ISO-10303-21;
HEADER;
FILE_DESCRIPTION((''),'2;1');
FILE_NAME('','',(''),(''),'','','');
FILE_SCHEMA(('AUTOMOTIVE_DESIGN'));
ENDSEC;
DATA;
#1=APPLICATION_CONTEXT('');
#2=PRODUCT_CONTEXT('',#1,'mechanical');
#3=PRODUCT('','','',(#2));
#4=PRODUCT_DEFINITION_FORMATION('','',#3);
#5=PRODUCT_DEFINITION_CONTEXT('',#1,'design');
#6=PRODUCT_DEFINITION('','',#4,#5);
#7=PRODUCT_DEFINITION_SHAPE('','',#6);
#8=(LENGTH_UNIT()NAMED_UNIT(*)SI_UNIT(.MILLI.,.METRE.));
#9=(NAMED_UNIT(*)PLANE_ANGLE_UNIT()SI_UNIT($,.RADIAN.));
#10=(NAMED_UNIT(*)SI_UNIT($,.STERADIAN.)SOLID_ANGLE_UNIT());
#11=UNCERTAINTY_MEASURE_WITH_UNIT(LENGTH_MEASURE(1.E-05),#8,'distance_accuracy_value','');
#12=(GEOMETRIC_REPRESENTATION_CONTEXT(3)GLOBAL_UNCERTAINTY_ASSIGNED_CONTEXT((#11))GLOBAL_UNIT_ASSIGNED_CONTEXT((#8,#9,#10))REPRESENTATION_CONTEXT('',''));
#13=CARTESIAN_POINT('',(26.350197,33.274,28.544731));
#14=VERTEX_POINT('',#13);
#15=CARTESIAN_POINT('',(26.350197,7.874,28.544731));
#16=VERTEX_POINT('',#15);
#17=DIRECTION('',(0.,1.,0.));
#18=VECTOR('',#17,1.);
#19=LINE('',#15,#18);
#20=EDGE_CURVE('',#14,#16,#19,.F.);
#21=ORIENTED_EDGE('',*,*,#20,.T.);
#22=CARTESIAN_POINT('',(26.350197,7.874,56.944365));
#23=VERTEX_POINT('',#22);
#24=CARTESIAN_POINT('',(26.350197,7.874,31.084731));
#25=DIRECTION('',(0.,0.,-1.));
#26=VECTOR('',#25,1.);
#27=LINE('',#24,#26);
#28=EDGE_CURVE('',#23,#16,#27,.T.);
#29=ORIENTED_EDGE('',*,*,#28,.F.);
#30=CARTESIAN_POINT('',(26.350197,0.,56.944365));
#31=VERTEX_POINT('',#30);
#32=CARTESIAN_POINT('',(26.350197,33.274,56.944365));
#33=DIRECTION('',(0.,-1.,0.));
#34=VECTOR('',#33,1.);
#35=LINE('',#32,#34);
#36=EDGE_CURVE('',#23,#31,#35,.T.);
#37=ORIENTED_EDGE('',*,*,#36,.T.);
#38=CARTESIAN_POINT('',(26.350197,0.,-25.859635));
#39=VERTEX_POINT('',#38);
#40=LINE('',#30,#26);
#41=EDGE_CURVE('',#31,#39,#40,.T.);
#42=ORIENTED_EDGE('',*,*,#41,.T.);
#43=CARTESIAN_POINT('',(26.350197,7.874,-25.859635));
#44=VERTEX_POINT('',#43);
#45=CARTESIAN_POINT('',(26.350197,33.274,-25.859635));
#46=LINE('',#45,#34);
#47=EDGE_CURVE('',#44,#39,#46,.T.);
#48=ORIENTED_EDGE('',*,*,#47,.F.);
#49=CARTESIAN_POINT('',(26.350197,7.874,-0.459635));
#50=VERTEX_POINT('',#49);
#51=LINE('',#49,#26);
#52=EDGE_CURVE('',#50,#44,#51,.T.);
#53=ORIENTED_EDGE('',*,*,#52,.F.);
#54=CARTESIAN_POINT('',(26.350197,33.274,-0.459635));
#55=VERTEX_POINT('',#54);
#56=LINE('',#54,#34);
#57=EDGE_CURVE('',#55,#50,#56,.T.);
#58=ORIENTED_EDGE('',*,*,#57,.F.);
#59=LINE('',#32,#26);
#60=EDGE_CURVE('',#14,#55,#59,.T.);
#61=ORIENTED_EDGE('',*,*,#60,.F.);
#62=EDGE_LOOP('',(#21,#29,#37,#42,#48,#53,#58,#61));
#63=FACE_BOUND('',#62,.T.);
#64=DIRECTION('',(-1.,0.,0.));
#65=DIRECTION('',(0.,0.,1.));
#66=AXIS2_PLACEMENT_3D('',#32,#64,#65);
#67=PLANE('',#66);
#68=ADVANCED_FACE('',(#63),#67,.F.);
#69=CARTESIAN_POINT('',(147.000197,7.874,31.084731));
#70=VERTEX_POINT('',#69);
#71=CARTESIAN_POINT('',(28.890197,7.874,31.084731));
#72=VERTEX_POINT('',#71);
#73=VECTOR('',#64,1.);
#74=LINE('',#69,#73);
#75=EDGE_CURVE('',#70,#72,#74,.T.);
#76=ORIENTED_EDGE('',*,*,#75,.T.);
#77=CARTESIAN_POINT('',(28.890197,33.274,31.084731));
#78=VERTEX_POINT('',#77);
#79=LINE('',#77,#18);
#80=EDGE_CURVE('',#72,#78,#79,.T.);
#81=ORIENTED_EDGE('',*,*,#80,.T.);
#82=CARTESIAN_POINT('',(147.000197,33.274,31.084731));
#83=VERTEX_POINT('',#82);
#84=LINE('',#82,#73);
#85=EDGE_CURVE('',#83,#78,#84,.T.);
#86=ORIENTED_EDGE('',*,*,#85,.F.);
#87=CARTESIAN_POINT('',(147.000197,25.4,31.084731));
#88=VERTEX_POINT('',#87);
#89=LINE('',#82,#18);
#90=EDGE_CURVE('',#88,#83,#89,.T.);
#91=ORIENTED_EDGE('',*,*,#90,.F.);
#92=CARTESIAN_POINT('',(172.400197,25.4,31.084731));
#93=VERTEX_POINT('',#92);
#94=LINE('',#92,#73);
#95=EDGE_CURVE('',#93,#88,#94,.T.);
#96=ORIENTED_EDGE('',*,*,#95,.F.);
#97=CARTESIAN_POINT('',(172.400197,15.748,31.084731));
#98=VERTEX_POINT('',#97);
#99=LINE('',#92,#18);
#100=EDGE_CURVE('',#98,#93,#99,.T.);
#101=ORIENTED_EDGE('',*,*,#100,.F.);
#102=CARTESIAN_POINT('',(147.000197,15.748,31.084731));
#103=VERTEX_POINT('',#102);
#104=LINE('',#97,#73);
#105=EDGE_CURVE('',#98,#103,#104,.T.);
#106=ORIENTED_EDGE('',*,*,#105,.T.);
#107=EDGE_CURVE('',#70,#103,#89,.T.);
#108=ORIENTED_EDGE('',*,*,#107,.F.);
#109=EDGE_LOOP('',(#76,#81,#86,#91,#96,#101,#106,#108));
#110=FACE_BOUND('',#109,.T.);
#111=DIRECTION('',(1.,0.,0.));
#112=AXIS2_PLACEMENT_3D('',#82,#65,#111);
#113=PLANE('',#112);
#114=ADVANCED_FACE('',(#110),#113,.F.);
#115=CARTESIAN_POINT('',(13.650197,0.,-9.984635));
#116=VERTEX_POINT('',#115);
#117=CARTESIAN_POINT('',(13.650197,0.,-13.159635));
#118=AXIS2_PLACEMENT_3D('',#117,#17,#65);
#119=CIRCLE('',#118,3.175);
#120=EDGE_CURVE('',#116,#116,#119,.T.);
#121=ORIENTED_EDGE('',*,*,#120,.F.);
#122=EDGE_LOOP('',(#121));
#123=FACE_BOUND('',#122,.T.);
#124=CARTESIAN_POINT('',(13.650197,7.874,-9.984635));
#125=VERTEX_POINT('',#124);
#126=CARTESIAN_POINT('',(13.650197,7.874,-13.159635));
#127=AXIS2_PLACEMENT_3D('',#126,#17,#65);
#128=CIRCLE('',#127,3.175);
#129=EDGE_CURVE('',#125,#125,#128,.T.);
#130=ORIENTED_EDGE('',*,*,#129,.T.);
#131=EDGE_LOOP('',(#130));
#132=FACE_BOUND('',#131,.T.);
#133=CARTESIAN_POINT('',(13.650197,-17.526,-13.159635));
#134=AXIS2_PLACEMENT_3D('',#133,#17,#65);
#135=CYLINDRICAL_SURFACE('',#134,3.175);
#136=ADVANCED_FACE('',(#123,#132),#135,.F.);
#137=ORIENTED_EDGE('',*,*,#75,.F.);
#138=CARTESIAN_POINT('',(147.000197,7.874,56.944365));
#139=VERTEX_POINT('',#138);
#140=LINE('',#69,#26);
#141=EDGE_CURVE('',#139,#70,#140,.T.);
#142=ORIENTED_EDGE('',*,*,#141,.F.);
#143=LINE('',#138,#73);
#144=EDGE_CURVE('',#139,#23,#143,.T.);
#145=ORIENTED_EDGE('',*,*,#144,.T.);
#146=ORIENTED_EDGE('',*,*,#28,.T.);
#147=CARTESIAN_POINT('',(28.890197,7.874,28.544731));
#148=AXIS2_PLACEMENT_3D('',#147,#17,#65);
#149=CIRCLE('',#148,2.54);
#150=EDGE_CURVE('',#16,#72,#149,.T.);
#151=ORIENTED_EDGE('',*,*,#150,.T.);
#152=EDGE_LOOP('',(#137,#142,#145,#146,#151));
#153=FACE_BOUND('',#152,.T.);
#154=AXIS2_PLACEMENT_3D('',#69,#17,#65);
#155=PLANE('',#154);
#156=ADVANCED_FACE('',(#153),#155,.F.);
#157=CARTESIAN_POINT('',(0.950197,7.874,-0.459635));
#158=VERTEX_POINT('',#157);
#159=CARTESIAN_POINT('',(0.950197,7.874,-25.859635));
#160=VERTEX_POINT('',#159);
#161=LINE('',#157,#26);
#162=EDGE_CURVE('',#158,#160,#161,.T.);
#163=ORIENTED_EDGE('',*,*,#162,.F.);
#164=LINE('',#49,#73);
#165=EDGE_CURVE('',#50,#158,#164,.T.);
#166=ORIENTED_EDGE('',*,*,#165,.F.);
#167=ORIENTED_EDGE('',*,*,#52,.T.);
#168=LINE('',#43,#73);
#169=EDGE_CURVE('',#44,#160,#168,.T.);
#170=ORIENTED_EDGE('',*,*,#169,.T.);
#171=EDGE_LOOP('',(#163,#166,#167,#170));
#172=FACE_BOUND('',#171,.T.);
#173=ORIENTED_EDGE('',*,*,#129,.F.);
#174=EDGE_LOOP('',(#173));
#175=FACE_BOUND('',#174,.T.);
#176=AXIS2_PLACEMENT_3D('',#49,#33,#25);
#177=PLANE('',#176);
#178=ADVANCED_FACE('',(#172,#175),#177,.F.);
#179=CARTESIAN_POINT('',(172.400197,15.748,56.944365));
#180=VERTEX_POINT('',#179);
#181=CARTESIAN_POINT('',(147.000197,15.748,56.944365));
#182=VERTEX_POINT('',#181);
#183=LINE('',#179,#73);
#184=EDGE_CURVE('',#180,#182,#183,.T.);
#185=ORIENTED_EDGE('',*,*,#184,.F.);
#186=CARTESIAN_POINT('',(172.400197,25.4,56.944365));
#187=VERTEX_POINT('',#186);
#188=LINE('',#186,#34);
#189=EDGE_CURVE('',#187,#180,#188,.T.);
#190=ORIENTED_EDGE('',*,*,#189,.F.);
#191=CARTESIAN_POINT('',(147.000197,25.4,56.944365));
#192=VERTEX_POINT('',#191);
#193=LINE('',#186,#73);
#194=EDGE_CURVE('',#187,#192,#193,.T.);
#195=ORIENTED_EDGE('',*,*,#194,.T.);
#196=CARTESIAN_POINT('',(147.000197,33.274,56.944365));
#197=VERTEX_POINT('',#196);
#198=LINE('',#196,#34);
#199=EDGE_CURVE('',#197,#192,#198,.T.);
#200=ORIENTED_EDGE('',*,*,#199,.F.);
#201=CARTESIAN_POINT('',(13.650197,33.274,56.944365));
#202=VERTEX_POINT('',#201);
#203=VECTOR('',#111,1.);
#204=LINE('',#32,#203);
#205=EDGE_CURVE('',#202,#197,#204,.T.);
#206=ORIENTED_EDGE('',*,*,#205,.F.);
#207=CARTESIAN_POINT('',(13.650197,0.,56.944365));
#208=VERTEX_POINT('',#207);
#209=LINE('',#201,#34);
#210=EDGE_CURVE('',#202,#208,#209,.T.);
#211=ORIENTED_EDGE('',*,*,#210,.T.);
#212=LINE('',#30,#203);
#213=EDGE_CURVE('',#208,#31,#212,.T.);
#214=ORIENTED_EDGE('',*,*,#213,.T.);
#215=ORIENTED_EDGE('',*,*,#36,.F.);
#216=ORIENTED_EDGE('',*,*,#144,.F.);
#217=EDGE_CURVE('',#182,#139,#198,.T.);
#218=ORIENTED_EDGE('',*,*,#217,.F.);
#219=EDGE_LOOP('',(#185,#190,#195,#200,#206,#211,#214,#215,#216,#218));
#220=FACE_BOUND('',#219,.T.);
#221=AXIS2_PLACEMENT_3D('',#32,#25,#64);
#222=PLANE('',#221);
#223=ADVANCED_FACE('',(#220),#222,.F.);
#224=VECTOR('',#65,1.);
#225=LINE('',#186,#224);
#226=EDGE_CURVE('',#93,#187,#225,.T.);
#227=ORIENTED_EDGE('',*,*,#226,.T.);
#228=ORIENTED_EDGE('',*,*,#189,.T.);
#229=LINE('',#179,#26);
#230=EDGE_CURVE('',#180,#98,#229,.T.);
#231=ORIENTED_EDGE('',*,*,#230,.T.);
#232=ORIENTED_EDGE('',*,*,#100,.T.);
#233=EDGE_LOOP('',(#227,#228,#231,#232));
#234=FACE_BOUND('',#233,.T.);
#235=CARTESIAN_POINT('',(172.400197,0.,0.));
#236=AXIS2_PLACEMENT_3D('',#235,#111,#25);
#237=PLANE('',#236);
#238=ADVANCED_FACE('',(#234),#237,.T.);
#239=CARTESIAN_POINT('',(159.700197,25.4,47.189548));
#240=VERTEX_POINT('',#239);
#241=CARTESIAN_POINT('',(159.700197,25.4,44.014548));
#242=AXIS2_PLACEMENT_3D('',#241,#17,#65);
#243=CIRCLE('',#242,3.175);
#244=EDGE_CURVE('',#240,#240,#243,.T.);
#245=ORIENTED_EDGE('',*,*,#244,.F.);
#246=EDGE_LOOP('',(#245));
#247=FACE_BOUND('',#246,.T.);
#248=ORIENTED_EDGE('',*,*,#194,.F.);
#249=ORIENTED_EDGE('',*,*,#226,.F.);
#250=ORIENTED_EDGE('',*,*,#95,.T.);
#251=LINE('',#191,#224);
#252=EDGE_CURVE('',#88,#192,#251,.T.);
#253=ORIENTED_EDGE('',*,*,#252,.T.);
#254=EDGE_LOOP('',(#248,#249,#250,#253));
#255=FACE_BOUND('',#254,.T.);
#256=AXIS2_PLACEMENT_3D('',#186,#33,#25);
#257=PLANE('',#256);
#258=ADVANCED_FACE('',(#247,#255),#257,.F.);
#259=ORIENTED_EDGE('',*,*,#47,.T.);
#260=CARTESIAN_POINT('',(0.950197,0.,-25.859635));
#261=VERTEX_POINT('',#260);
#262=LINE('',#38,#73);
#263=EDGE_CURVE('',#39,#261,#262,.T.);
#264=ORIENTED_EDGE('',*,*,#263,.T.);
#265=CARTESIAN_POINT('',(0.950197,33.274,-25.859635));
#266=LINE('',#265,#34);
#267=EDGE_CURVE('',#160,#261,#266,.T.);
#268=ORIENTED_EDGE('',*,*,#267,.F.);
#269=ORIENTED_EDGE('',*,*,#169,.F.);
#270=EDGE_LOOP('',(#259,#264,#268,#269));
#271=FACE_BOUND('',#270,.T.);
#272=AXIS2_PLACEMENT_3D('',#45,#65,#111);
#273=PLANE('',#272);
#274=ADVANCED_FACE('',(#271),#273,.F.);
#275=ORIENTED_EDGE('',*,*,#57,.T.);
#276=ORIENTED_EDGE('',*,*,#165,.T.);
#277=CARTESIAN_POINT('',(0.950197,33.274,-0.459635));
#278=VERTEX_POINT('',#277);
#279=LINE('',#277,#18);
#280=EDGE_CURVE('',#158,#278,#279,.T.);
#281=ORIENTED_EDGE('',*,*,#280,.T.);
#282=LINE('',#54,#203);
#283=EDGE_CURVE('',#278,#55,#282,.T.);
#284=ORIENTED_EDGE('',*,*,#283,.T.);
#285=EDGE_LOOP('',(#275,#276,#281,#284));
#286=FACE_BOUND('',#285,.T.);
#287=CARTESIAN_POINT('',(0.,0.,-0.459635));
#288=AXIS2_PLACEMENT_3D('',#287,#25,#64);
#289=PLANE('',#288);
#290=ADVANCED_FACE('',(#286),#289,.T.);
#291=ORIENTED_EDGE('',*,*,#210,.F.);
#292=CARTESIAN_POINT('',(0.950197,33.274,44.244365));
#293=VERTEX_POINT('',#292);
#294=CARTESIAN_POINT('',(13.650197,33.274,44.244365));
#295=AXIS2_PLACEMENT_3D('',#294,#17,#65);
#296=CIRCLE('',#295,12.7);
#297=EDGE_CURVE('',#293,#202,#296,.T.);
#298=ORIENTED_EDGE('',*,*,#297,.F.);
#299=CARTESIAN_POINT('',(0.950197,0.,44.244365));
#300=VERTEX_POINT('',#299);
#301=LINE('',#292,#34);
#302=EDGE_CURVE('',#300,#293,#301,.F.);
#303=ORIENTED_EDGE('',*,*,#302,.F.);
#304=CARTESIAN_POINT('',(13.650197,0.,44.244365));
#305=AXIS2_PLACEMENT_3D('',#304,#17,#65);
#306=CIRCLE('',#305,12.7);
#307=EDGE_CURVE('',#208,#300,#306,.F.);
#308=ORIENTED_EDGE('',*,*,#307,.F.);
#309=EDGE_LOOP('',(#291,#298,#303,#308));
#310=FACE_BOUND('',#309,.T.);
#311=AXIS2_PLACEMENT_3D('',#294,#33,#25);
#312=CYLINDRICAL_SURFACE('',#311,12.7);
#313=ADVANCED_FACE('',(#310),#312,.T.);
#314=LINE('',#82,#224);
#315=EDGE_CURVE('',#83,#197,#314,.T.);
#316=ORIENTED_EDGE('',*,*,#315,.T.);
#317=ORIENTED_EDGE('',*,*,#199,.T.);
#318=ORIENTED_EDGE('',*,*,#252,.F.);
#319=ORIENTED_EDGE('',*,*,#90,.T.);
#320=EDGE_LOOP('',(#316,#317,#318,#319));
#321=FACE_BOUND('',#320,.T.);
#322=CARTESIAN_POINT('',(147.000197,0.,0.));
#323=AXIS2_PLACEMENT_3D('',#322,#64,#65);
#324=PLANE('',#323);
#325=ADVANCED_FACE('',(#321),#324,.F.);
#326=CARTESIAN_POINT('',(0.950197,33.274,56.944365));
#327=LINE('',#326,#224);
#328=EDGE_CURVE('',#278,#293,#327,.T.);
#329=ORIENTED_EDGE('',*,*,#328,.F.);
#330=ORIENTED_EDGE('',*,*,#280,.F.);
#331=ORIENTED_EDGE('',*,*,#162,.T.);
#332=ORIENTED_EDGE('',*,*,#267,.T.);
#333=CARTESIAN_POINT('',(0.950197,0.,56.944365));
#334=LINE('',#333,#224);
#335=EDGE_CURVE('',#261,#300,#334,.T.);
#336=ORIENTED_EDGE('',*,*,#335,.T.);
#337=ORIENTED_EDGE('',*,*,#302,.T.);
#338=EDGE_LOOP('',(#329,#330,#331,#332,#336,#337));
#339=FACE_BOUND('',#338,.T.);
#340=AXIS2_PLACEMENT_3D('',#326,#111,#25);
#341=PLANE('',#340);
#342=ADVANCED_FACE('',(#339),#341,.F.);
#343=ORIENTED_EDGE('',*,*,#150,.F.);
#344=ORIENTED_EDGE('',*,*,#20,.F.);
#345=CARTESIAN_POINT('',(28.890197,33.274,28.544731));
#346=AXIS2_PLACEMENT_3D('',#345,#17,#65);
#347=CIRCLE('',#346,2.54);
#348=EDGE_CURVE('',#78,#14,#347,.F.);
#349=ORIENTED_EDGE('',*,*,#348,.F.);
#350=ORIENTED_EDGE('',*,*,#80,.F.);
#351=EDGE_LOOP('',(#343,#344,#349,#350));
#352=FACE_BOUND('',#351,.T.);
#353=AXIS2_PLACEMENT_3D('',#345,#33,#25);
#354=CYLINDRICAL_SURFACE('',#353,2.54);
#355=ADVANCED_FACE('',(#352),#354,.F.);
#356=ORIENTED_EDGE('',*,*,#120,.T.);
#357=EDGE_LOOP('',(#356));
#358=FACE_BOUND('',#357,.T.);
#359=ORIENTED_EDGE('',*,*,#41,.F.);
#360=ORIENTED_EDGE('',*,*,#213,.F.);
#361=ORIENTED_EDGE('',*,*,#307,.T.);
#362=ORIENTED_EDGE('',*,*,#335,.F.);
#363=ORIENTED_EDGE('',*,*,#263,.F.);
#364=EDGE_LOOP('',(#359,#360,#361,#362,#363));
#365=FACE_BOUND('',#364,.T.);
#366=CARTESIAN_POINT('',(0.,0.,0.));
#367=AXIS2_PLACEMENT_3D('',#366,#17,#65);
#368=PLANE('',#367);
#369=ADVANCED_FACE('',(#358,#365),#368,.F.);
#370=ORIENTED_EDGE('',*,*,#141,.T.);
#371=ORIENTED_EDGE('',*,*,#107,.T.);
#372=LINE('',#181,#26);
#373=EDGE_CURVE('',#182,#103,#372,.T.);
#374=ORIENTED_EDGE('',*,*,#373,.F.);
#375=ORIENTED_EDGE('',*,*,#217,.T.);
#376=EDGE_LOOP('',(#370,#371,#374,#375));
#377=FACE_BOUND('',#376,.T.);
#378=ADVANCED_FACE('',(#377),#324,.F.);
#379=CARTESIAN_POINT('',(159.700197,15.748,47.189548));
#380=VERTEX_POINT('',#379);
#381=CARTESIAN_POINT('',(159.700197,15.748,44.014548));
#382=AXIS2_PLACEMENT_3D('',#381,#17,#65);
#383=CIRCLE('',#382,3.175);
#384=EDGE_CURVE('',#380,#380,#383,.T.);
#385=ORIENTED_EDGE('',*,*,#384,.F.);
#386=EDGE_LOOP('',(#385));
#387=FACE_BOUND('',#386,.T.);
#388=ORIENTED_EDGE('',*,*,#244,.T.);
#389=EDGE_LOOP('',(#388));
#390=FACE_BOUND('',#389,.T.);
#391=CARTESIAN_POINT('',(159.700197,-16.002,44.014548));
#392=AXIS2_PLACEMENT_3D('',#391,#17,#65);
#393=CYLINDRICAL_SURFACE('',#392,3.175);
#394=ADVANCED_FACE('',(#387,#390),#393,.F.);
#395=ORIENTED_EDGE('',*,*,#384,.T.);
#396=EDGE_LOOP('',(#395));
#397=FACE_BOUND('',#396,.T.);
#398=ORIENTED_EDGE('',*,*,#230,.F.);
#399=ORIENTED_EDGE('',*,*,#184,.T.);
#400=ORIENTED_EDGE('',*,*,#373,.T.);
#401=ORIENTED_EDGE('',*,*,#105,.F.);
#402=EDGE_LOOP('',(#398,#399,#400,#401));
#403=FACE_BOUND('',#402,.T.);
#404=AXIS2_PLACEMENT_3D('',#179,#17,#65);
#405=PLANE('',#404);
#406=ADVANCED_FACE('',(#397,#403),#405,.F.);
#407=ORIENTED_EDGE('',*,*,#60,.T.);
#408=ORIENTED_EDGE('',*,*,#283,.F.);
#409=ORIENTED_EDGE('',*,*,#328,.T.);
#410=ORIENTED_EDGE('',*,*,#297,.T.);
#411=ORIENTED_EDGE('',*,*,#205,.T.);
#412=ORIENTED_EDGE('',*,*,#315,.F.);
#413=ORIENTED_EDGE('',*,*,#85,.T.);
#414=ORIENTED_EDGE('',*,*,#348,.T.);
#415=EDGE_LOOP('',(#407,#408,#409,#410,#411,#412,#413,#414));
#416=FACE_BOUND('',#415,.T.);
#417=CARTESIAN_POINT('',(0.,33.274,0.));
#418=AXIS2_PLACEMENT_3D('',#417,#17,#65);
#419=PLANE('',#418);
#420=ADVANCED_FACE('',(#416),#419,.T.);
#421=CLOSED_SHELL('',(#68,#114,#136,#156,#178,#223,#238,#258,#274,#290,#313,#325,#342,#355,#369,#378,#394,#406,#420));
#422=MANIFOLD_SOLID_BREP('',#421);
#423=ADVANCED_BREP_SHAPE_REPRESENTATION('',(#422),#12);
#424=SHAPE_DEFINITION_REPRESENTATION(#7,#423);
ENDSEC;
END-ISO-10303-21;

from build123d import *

# Parameters (mm, degrees)
SKETCH1_W           = 25.4
SKETCH1_H           = 82.804
BOSS_EXTRUDE1_DEPTH = 33.274
SKETCH3_W           = 25.859634715
SKETCH3_H           = 25.4
BOSS_EXTRUDE2_DEPTH = 120.65
SKETCH8_W           = 25.4
SKETCH8_H           = 25.4
CUT_EXTRUDE5_DEPTH  = 25.4
SKETCH5_W           = 25.859634715
SKETCH5_H           = 9.652
BOSS_EXTRUDE3_DEPTH = 25.4
SKETCH7_R           = 3.175
CUT_EXTRUDE4_DEPTH  = 41.402
FILLET1_R           = 12.7
FILLET2_R           = 2.54
SKETCH9_R           = 3.175
CUT_EXTRUDE6_DEPTH  = 25.4


with BuildPart() as part:
    # Sketch1 → Boss-Extrude1 (new body)
    with BuildSketch(Plane(origin=(0, 0, 0), x_dir=(1, 0, 0), z_dir=(0, 1, 0))):
        with Locations((13.650196891, -15.542365285)):
            Rectangle(SKETCH1_W, SKETCH1_H)
    extrude(amount=BOSS_EXTRUDE1_DEPTH)

    # Sketch3 → Boss-Extrude2 (add)
    with BuildSketch(Plane(origin=(26.350196891, 0, 0), x_dir=(0, 0, -1), z_dir=(1, 0, 0))):
        with Locations((-44.014547928, 20.574)):
            Rectangle(SKETCH3_W, SKETCH3_H)
    extrude(amount=BOSS_EXTRUDE2_DEPTH)

    # Sketch8 → Cut-Extrude5 (cut)
    with BuildSketch(Plane(origin=(0, 0, -25.859634715), x_dir=(-1, 0, 0), z_dir=(0, 0, -1))):
        with Locations((-13.650196891, 20.574)):
            Rectangle(SKETCH8_W, SKETCH8_H)
    extrude(amount=-CUT_EXTRUDE5_DEPTH, mode=Mode.SUBTRACT)

    # Sketch5 → Boss-Extrude3 (add)
    with BuildSketch(Plane(origin=(147.000196891, 0, 0), x_dir=(0, 0, -1), z_dir=(1, 0, 0))):
        with Locations((-44.014547928, 20.574)):
            Rectangle(SKETCH5_W, SKETCH5_H)
    extrude(amount=BOSS_EXTRUDE3_DEPTH)

    # Sketch7 → Cut-Extrude4 (cut)
    with BuildSketch(Plane(origin=(0, 25.4, 0), x_dir=(1, 0, 0), z_dir=(0, 1, 0))):
        with Locations(Location((159.700196891, -44.014547927, 0), (0, 0, 270))):
            Circle(SKETCH7_R)
    extrude(amount=-CUT_EXTRUDE4_DEPTH, mode=Mode.SUBTRACT)

    # Fillet1
    fillet1_edges = [part.edges().sort_by_distance(p)[0] for p in [
        (0.950196891, 16.637, 56.944365285),
    ]]
    fillet(fillet1_edges, radius=FILLET1_R)

    # Fillet2
    fillet2_edges = [part.edges().sort_by_distance(p)[0] for p in [
        (26.350196891, 20.574, 31.08473057),
    ]]
    fillet(fillet2_edges, radius=FILLET2_R)

    # Sketch9 → Cut-Extrude6 (cut)
    with BuildSketch(Plane(origin=(0, 7.874, 0), x_dir=(1, 0, 0), z_dir=(0, 1, 0))):
        with Locations(Location((13.650196891, 13.159634715, 0), (0, 0, 270))):
            Circle(SKETCH9_R)
    extrude(amount=-CUT_EXTRUDE6_DEPTH, mode=Mode.SUBTRACT)


solid = part.part
